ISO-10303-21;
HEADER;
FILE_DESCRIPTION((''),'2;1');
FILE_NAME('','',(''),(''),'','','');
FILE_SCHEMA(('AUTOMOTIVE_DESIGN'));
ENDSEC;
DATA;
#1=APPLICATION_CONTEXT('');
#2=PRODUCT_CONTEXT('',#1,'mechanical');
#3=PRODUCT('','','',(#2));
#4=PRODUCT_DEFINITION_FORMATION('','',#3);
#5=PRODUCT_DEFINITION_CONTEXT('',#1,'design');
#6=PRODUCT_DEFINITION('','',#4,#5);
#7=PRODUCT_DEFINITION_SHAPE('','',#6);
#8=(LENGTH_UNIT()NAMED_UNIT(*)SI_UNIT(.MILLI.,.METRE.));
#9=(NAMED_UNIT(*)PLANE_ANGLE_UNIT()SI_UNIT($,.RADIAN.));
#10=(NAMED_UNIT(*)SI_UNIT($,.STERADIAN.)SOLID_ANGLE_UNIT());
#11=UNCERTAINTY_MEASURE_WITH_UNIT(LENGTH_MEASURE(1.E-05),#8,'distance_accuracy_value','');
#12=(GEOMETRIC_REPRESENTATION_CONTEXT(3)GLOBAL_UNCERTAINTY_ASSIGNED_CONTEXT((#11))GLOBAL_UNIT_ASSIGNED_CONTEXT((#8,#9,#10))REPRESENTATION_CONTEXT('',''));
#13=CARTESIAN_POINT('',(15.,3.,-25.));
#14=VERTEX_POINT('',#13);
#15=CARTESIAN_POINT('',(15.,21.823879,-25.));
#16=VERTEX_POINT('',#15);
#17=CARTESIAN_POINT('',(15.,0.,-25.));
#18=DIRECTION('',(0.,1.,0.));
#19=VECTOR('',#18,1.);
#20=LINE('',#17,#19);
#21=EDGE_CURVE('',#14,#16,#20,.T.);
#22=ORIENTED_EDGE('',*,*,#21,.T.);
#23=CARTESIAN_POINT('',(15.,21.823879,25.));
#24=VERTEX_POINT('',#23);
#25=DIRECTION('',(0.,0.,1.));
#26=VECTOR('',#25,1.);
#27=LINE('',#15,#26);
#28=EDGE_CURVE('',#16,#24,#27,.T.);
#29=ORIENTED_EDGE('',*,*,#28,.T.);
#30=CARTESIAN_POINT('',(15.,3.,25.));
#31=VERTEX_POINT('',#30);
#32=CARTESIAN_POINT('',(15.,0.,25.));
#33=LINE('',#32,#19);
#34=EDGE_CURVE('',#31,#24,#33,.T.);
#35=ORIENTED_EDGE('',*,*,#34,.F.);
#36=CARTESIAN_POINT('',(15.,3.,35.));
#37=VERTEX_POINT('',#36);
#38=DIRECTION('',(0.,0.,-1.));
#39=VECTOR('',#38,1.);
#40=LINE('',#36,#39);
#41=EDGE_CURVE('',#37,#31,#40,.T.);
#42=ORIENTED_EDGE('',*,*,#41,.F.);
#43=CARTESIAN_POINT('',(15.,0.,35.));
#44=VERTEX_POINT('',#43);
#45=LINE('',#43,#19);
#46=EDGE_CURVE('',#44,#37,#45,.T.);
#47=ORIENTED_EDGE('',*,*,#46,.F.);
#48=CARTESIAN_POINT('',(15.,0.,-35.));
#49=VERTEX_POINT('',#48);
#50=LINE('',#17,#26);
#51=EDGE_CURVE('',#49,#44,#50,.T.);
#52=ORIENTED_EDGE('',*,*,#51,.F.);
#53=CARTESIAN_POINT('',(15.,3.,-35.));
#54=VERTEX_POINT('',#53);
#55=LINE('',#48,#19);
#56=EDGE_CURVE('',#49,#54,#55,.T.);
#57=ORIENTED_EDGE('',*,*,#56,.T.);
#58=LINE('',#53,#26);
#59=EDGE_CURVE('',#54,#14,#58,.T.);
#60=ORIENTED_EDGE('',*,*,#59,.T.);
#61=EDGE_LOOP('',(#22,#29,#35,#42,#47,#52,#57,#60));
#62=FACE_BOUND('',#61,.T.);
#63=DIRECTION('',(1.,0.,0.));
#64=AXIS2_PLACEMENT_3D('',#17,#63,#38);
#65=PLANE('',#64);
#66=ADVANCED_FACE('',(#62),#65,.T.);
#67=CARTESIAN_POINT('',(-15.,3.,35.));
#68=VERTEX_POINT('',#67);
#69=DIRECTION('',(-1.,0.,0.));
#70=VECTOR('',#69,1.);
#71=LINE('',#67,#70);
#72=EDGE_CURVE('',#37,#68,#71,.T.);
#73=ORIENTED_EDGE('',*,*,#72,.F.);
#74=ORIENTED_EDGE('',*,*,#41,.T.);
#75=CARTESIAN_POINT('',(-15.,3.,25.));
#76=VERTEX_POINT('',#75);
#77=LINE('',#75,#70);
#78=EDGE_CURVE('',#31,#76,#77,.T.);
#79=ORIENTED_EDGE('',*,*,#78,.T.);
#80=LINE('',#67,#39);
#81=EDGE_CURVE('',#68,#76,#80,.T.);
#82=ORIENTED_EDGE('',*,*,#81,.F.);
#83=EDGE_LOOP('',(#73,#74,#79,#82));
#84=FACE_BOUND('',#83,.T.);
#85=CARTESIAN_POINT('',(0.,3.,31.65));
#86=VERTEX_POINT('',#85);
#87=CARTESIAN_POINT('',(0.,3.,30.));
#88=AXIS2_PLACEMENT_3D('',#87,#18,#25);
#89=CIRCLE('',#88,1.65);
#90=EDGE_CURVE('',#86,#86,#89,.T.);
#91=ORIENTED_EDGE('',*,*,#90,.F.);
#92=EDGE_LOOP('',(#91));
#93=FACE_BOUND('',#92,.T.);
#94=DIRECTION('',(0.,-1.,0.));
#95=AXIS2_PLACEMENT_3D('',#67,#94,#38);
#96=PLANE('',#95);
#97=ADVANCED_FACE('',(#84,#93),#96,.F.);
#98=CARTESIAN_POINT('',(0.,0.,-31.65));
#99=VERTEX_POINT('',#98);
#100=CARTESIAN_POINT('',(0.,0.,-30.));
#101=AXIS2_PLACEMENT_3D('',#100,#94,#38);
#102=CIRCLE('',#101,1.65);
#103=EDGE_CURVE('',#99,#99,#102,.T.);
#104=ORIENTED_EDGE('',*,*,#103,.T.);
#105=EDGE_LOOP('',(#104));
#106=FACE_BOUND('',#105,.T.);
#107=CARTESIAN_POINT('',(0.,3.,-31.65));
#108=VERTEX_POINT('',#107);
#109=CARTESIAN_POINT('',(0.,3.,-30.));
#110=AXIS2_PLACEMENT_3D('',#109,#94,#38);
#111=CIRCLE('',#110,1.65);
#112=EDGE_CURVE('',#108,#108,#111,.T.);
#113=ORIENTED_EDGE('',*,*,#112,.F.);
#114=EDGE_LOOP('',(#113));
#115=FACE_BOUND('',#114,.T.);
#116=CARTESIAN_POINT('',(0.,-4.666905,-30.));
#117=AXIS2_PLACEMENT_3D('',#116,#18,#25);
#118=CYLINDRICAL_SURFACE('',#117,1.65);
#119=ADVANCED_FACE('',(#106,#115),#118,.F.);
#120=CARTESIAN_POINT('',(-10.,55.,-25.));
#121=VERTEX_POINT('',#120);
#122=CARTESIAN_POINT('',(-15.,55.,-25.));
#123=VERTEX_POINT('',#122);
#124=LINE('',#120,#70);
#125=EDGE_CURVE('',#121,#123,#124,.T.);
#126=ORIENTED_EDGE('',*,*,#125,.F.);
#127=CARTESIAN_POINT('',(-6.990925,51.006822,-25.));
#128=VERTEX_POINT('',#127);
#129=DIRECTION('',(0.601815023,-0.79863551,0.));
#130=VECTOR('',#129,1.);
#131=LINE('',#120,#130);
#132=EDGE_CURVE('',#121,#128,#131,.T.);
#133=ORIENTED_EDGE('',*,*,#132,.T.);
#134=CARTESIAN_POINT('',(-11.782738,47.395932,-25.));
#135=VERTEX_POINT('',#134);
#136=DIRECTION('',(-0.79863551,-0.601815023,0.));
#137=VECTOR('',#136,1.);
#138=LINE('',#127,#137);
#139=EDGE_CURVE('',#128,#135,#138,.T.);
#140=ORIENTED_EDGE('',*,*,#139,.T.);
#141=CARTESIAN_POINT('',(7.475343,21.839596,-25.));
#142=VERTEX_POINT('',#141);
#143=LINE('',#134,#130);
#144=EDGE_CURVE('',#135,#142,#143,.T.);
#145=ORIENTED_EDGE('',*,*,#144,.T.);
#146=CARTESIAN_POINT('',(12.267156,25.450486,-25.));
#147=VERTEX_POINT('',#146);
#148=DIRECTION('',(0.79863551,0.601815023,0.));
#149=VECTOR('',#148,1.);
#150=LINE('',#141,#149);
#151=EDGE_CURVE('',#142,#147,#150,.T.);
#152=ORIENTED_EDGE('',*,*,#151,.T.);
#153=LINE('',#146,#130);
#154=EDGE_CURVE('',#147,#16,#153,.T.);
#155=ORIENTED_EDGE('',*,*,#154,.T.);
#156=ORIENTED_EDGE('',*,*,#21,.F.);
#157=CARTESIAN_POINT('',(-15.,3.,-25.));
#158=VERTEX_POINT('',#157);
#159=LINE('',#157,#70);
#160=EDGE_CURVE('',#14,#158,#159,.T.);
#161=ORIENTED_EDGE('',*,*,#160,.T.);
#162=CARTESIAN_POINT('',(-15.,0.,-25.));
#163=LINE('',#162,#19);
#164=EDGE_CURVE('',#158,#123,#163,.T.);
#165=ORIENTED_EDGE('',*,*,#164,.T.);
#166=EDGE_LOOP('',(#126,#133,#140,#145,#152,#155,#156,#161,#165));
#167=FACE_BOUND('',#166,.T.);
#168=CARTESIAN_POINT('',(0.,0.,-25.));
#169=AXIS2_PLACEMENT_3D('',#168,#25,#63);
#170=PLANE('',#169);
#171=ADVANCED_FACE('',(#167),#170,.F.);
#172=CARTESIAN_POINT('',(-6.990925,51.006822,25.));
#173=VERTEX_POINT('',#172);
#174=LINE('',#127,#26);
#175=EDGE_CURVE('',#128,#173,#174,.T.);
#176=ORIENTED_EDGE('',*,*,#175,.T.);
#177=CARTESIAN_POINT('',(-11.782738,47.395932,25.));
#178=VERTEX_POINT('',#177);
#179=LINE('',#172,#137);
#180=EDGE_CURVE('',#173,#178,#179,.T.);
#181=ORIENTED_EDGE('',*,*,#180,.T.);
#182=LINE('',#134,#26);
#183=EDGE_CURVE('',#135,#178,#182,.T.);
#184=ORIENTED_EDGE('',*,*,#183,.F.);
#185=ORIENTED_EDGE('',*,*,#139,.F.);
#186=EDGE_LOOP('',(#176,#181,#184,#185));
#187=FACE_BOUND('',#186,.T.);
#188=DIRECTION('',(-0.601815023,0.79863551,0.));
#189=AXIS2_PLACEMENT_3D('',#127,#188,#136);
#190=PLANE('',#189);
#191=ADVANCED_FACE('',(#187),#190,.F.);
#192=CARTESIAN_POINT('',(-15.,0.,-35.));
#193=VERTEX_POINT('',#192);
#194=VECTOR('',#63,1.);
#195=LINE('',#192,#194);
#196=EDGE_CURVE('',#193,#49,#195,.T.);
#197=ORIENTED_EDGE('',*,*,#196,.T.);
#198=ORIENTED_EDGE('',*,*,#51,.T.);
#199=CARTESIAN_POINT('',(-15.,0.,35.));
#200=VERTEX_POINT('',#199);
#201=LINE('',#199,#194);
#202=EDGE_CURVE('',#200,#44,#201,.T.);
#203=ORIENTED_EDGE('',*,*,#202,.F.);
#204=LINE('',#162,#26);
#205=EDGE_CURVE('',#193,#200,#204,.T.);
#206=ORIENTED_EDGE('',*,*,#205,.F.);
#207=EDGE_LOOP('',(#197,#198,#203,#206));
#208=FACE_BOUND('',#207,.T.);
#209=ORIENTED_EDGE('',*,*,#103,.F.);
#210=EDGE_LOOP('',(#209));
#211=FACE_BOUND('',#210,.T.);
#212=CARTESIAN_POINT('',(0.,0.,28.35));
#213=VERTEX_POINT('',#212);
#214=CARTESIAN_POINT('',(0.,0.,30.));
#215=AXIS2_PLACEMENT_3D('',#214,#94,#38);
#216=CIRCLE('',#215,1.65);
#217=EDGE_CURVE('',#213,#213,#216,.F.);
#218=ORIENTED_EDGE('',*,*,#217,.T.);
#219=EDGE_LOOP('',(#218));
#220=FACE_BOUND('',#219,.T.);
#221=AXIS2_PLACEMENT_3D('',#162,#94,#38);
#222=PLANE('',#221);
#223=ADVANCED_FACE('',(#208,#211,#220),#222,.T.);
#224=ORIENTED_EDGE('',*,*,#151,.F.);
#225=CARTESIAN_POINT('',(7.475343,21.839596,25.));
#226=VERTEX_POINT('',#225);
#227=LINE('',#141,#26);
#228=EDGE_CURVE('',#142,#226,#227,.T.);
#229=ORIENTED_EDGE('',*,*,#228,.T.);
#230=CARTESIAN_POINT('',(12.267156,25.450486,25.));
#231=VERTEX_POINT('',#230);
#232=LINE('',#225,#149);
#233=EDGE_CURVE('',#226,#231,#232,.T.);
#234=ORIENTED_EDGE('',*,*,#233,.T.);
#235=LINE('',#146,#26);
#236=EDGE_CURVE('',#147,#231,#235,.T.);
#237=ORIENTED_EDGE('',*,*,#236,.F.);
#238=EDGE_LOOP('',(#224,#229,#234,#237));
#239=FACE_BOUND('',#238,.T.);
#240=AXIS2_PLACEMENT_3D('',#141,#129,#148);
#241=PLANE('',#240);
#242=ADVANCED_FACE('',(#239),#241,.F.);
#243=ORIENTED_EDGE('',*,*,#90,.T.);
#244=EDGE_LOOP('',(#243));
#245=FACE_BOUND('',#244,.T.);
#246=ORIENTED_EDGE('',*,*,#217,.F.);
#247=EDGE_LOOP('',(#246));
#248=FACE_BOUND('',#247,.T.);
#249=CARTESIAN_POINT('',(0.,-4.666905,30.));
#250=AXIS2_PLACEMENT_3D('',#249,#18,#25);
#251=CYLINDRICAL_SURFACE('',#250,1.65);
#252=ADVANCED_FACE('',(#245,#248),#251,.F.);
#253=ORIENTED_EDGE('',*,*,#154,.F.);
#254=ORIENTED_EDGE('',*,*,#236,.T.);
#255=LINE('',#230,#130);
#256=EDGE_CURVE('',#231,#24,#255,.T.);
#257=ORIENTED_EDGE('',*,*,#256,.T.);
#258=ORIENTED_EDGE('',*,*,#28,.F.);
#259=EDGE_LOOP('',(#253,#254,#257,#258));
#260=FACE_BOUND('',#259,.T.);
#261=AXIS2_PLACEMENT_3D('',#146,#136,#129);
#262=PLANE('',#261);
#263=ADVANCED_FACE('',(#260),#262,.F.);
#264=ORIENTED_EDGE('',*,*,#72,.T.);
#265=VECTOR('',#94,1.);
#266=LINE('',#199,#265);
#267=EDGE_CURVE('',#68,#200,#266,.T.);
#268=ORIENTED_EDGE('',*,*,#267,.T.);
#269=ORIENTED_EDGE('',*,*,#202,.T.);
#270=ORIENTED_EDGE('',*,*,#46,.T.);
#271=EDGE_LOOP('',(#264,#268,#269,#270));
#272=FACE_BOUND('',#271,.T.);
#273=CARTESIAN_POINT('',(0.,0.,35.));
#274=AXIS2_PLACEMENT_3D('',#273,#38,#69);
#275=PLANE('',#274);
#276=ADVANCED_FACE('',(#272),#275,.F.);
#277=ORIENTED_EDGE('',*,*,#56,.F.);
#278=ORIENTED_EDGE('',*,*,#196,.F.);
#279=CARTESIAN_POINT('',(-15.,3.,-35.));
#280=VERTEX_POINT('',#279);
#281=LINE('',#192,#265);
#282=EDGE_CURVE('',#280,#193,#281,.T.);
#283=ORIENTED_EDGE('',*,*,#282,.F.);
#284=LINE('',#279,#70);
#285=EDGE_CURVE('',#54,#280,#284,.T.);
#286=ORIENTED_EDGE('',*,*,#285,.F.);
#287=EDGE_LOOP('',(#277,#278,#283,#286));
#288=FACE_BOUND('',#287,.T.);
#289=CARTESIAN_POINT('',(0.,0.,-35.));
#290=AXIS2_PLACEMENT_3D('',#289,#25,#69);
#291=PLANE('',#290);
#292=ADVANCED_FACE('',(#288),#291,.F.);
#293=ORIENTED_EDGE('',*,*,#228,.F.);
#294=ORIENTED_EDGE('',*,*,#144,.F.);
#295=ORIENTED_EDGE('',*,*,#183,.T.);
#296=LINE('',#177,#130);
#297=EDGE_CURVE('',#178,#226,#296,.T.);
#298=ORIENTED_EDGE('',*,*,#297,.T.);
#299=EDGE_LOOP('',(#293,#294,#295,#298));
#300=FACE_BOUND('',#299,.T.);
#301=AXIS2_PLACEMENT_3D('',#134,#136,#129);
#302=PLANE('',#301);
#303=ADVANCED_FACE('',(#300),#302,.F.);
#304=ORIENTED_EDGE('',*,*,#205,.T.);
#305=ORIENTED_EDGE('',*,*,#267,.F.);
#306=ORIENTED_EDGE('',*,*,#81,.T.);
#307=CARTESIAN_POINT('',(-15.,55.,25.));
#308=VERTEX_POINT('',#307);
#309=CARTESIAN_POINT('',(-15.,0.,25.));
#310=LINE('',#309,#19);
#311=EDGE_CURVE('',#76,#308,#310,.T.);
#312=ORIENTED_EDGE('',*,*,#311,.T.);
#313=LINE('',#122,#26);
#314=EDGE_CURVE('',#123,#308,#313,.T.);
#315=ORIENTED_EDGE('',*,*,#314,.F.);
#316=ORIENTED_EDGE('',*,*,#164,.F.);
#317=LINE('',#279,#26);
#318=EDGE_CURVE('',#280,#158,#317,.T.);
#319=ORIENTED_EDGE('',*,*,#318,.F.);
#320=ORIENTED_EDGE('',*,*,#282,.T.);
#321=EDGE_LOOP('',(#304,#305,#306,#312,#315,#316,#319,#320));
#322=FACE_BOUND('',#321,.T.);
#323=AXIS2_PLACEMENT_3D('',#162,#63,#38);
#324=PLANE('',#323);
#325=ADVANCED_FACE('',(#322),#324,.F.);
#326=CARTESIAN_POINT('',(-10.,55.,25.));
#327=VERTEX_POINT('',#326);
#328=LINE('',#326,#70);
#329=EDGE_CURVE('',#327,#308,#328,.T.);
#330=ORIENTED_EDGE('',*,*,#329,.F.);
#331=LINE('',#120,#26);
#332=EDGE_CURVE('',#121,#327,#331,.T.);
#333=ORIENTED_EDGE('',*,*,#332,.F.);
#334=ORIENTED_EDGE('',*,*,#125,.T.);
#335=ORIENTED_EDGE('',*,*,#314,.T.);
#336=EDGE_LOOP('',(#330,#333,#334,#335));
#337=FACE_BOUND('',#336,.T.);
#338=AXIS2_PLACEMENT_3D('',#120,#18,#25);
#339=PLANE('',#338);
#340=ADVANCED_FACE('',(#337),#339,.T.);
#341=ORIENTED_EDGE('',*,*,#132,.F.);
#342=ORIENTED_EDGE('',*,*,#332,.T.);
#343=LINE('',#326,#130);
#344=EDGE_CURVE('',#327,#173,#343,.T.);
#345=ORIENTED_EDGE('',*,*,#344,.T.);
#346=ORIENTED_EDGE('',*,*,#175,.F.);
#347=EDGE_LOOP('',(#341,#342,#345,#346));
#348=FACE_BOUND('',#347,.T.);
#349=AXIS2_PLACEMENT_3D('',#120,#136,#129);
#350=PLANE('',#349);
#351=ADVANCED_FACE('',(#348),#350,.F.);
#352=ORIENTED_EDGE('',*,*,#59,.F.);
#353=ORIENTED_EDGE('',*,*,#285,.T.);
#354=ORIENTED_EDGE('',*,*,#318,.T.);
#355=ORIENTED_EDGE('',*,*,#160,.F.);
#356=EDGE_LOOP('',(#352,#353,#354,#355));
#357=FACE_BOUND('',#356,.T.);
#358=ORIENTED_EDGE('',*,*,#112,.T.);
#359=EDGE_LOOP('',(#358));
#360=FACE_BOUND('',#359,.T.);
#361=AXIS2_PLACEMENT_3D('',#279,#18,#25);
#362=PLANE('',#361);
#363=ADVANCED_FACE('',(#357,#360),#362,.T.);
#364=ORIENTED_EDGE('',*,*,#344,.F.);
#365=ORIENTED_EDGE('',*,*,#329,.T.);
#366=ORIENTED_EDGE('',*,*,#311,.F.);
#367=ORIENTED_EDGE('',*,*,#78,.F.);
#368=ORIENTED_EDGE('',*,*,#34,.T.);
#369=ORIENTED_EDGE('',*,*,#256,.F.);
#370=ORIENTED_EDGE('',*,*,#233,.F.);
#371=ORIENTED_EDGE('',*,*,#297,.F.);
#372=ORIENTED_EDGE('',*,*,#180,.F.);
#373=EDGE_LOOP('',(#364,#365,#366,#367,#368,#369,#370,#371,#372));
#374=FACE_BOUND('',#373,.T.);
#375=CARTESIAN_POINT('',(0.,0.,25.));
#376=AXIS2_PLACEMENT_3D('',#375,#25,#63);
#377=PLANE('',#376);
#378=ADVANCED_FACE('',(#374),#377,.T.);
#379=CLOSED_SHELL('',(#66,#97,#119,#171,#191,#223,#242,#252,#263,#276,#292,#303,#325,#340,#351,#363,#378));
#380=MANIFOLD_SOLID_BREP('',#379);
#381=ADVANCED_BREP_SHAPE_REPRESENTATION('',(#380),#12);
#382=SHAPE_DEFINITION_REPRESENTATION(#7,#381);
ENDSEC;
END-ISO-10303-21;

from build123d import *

# Parameters (mm, degrees)
EXTRUDE_1_DEPTH      = 25
EXTRUDE_1_DEPTH_BACK = 25
SKETCH_2_W           = 30
SKETCH_2_H           = 3
EXTRUDE_2_DEPTH      = 10
SKETCH_3_R           = 1.65
CUT_EXTRUDE_1_DEPTH  = 3


with BuildPart() as part:
    # 草图1 → 凸台-拉伸1 (new, two sides: drawn at the far end of the back side and taken through both)
    with BuildSketch(Plane.XY.offset(-EXTRUDE_1_DEPTH_BACK)):
        Polygon((-10, 55), (-15, 55), (-15, 0), (15, 0), (15, 21.823879459), (12.267155857, 25.450486128), (7.475342796, 21.839595989), (-11.782737945, 47.395932311), (-6.990924884, 51.00682245), align=None)
    extrude(amount=EXTRUDE_1_DEPTH + EXTRUDE_1_DEPTH_BACK)

    # 草图2 → 凸台-拉伸2 (add)
    with BuildSketch(Plane.XY.offset(25)):
        with Locations((0, 1.5)):
            Rectangle(SKETCH_2_W, SKETCH_2_H)
    extrude_2 = extrude(amount=EXTRUDE_2_DEPTH)

    # 草图3 → 切除-拉伸1 (cut)
    with BuildSketch(Plane(origin=(0, 3, 0), x_dir=(1, 0, 0), z_dir=(0, 1, 0))):
        with Locations(Location((0, -30, 0), (0, 0, 270))):
            Circle(SKETCH_3_R)
    cut_extrude_1 = extrude(amount=-CUT_EXTRUDE_1_DEPTH, mode=Mode.SUBTRACT)

    # 镜向1: 凸台-拉伸2, 切除-拉伸1 across plane
    add(extrude_2.mirror(Plane.XY))
    add(cut_extrude_1.mirror(Plane.XY), mode=Mode.SUBTRACT)


solid = part.part
